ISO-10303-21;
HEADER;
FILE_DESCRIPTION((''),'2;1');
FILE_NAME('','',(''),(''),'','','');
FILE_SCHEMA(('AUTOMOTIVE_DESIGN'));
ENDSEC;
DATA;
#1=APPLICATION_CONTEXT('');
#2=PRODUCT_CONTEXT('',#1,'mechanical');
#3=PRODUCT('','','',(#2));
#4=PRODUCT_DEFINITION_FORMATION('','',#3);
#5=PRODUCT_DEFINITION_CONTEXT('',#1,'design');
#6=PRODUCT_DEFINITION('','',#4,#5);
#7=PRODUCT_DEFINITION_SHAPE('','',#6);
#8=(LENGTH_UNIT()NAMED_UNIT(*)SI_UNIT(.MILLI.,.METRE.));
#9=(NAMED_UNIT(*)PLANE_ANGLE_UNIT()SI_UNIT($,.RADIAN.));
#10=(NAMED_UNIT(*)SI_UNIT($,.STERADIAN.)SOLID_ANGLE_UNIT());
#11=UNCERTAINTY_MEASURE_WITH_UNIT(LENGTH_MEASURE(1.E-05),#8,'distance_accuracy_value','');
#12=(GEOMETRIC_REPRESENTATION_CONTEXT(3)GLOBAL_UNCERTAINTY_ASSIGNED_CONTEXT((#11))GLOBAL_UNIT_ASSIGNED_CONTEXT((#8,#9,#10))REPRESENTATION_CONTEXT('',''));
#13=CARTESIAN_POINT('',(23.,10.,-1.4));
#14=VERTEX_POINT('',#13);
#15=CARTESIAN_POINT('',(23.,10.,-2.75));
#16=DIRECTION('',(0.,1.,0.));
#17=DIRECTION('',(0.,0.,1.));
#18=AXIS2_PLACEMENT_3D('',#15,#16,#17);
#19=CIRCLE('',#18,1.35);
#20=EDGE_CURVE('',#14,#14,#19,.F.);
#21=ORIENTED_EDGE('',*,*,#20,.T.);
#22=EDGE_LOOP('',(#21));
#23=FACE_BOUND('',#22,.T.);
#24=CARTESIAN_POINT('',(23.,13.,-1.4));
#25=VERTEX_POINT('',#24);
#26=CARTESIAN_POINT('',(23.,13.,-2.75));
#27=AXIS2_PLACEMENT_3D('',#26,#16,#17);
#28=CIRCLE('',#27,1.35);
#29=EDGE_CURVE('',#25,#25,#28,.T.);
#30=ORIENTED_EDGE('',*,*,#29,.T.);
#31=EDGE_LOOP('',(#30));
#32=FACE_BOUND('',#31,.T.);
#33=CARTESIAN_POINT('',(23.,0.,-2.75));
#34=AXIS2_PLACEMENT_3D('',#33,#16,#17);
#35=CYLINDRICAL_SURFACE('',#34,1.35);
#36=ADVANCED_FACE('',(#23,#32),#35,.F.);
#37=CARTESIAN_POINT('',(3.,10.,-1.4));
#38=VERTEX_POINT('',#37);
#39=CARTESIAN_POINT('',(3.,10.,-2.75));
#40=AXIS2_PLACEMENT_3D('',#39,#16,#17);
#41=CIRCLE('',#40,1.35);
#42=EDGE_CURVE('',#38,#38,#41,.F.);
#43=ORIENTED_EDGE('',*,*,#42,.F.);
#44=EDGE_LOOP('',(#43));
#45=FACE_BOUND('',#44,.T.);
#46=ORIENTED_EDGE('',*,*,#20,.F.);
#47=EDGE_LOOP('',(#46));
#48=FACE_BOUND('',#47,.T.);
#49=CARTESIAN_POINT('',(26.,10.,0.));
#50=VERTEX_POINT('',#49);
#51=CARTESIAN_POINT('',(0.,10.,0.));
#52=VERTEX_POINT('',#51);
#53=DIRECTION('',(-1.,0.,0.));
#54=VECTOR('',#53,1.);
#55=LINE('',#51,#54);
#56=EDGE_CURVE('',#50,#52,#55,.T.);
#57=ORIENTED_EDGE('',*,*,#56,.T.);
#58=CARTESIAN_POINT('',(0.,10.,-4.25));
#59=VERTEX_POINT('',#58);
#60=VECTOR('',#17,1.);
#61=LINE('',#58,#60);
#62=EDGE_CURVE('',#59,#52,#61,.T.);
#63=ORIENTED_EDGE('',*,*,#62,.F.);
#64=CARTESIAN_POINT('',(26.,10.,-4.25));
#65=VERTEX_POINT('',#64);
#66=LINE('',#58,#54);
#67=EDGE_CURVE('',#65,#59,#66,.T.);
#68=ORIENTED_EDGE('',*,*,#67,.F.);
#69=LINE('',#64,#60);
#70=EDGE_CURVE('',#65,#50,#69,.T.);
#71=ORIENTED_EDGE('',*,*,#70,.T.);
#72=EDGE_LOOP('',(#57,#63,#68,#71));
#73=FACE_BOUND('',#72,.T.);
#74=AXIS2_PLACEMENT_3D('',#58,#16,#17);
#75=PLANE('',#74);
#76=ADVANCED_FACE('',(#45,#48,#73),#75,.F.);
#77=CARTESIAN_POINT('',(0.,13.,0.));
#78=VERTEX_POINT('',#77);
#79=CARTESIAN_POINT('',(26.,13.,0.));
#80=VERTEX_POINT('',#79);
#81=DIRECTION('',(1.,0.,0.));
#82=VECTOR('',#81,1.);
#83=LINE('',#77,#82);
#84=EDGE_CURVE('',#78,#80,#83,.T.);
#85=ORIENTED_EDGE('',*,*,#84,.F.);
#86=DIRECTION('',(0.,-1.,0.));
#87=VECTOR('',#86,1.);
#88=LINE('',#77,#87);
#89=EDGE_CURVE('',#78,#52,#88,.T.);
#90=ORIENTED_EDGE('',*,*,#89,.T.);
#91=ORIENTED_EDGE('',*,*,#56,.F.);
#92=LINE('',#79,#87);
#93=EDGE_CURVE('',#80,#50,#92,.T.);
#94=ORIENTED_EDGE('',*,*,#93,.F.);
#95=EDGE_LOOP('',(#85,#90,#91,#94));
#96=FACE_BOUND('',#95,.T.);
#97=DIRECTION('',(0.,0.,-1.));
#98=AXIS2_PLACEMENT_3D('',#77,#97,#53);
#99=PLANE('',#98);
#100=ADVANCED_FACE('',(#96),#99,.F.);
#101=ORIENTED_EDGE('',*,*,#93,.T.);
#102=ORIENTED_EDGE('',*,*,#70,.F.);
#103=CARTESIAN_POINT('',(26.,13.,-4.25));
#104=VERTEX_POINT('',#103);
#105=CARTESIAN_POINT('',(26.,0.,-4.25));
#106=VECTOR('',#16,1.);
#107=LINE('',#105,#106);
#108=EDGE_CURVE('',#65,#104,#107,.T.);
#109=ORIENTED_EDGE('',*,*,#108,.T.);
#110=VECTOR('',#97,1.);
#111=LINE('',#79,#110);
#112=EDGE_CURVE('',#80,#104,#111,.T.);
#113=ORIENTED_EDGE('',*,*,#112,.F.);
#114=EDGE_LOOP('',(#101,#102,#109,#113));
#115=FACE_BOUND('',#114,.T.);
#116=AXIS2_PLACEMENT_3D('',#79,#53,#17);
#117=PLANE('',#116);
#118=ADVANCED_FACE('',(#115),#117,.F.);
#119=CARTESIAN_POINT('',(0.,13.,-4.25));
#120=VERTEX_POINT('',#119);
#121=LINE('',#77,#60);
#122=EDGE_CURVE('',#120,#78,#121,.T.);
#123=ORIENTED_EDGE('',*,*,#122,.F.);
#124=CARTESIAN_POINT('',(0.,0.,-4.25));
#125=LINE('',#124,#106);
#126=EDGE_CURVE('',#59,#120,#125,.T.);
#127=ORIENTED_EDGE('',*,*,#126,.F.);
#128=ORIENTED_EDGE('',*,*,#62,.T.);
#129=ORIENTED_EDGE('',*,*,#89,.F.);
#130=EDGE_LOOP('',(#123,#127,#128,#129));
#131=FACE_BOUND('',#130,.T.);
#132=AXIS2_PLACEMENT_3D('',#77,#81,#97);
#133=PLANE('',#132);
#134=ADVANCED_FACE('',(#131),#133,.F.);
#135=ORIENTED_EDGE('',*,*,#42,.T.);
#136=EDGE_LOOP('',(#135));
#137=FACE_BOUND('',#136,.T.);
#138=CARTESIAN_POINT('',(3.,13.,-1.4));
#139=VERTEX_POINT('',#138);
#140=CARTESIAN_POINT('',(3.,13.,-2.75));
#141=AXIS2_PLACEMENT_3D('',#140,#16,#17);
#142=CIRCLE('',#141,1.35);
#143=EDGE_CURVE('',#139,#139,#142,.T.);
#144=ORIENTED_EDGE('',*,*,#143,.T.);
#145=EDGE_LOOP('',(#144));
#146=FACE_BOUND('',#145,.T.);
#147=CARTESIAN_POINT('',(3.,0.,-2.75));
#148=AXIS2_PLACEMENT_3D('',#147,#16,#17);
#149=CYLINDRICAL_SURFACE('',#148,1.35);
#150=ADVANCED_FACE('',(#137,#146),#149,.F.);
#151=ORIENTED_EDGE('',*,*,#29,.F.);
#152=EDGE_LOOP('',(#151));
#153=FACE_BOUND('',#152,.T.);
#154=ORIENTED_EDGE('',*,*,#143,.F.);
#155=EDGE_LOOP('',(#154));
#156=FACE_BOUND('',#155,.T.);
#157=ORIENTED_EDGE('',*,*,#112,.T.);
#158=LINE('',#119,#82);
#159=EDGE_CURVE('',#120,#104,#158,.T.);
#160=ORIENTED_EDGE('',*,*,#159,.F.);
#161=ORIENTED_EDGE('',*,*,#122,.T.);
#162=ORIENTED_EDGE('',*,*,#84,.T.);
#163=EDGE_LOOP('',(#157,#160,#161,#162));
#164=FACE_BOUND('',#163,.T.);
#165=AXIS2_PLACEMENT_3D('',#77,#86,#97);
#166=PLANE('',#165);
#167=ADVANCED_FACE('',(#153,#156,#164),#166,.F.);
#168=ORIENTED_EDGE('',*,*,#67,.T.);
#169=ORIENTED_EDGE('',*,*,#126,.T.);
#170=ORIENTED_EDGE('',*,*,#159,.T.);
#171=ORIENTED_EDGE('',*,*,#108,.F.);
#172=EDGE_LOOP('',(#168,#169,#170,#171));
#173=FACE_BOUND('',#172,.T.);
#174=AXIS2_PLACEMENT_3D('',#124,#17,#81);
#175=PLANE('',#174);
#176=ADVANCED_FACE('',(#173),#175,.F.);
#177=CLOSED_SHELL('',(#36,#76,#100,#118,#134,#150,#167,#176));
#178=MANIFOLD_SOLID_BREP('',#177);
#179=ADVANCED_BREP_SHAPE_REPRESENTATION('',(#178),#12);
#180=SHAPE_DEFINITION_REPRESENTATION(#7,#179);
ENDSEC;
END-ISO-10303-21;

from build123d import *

# Parameters (mm, degrees)
SKETCH1_W           = 26
SKETCH1_H           = 18
BOSS_EXTRUDE1_DEPTH = 13
SKETCH2_R           = 1.35
CUT_EXTRUDE1_DEPTH  = 14
SKETCH3_W           = 26
SKETCH3_H           = 13.75
CUT_EXTRUDE3_DEPTH  = 14
SKETCH4_W           = 26
SKETCH4_H           = 10
CUT_EXTRUDE4_DEPTH  = 5.25


with BuildPart() as part:
    # Sketch1 → Boss-Extrude1 (new body)
    with BuildSketch(Plane(origin=(0, 0, 0), x_dir=(1, 0, 0), z_dir=(0, 1, 0))):
        with Locations((13, 9)):
            Rectangle(SKETCH1_W, SKETCH1_H)
    extrude(amount=BOSS_EXTRUDE1_DEPTH)

    # Sketch2 → Cut-Extrude1 (cut, through all)
    with BuildSketch(Plane(origin=(0, 13, 0), x_dir=(1, 0, 0), z_dir=(0, 1, 0))):
        with Locations((3, 15.25)):
            Circle(SKETCH2_R)
        with Locations((23, 15.25)):
            Circle(SKETCH2_R)
        with Locations((3, 2.75)):
            Circle(SKETCH2_R)
        with Locations((23, 2.75)):
            Circle(SKETCH2_R)
    extrude(amount=-CUT_EXTRUDE1_DEPTH, mode=Mode.SUBTRACT)

    # Sketch3 → Cut-Extrude3 (cut, through all)
    with BuildSketch(Plane(origin=(0, 13, 0), x_dir=(1, 0, 0), z_dir=(0, 1, 0))):
        with Locations((13, 11.125)):
            Rectangle(SKETCH3_W, SKETCH3_H)
    extrude(amount=-CUT_EXTRUDE3_DEPTH, mode=Mode.SUBTRACT)

    # Sketch4 → Cut-Extrude4 (cut, through all)
    with BuildSketch(Plane.XY):
        with Locations((13, 5)):
            Rectangle(SKETCH4_W, SKETCH4_H)
    extrude(amount=-CUT_EXTRUDE4_DEPTH, mode=Mode.SUBTRACT)


solid = part.part
